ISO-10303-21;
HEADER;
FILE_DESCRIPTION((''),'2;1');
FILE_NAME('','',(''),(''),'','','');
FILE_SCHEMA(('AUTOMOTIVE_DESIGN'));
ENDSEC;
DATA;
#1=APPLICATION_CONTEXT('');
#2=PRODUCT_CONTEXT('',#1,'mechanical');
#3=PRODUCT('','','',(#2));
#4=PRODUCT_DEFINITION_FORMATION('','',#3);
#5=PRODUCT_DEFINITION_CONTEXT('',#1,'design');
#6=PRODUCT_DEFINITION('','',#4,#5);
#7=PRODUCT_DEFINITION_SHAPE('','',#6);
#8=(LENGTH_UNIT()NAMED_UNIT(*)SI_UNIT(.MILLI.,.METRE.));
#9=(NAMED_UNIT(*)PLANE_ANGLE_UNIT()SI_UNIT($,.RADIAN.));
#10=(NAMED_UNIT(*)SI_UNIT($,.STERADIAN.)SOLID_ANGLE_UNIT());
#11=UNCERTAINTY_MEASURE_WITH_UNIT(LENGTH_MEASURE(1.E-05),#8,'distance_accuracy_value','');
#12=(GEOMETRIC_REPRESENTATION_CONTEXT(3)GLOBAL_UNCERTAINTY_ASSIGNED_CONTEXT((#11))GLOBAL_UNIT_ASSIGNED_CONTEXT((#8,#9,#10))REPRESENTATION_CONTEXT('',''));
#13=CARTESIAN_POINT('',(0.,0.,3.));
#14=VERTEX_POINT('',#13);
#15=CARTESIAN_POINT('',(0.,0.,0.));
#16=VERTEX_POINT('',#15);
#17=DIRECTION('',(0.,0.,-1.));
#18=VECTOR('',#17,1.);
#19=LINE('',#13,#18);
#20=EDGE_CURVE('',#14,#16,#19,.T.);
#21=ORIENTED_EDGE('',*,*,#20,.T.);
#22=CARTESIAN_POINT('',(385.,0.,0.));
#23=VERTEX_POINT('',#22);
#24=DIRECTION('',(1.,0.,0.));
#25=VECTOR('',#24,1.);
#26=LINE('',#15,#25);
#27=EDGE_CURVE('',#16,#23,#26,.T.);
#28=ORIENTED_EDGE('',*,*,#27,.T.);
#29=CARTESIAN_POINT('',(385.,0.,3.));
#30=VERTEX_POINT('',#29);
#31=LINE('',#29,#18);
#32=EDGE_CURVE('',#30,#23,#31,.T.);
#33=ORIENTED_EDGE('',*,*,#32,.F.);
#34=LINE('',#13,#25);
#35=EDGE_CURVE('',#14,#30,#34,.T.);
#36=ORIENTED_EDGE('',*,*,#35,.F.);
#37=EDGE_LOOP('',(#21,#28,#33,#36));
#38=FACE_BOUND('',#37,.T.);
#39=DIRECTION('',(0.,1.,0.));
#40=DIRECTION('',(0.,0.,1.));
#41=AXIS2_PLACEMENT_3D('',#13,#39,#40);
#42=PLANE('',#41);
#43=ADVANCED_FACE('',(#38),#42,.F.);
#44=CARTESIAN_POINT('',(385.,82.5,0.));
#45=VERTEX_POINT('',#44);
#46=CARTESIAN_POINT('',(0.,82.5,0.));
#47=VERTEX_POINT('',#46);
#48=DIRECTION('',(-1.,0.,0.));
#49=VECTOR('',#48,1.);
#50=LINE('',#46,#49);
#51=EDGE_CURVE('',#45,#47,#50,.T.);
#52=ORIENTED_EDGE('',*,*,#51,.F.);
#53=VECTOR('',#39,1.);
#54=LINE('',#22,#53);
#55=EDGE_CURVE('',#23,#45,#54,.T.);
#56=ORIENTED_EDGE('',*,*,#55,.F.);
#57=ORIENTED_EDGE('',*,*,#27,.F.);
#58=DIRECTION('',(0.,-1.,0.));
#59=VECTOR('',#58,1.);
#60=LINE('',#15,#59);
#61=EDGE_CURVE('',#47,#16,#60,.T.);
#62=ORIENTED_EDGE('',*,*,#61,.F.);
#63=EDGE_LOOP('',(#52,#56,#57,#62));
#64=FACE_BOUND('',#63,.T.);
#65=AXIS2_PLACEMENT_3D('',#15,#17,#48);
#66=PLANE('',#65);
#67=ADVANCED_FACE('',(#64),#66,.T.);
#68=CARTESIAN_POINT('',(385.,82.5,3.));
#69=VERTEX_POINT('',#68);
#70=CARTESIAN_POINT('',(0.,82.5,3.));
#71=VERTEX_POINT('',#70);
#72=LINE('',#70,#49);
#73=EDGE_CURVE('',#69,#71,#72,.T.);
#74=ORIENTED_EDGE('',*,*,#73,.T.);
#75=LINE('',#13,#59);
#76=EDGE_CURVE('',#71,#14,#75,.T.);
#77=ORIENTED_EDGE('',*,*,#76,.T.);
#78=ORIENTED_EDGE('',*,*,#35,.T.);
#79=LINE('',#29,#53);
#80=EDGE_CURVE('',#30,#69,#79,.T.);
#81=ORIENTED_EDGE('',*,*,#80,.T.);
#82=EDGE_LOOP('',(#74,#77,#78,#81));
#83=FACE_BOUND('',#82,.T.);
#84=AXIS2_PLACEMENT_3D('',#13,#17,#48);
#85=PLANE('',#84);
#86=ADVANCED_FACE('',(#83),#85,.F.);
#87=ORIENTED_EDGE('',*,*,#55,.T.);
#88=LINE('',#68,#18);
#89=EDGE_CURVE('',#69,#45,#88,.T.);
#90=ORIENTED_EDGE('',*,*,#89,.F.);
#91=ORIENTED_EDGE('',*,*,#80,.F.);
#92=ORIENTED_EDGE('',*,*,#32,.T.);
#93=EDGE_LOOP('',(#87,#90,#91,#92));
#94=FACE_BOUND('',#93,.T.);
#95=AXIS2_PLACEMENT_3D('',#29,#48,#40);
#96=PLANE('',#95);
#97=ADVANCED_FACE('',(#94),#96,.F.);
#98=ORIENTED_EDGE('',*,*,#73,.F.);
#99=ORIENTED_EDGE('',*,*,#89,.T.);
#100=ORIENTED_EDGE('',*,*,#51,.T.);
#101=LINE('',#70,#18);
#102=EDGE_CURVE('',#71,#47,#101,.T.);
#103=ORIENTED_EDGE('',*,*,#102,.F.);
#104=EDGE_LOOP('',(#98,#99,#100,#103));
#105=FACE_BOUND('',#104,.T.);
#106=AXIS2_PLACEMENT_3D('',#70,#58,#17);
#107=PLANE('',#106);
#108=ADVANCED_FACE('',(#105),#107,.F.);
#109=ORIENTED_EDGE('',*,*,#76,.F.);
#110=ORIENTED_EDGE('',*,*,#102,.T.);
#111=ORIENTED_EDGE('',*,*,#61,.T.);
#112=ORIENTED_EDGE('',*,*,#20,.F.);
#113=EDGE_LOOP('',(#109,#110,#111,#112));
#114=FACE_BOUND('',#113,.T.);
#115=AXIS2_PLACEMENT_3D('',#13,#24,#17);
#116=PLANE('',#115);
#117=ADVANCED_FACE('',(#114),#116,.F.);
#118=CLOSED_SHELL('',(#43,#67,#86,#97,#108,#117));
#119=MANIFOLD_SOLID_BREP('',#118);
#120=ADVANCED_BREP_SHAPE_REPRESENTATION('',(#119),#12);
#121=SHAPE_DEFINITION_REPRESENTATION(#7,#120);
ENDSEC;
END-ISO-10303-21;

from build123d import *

# Parameters (mm, degrees)
CROQUIS1_W              = 385
CROQUIS1_H              = 82.5
SALIENTE_EXTRUIR1_DEPTH = 3


with BuildPart() as part:
    # Croquis1 → Saliente-Extruir1 (new body)
    with BuildSketch(Plane.XY):
        with Locations((192.5, 41.25)):
            Rectangle(CROQUIS1_W, CROQUIS1_H)
    extrude(amount=SALIENTE_EXTRUIR1_DEPTH)


solid = part.part
